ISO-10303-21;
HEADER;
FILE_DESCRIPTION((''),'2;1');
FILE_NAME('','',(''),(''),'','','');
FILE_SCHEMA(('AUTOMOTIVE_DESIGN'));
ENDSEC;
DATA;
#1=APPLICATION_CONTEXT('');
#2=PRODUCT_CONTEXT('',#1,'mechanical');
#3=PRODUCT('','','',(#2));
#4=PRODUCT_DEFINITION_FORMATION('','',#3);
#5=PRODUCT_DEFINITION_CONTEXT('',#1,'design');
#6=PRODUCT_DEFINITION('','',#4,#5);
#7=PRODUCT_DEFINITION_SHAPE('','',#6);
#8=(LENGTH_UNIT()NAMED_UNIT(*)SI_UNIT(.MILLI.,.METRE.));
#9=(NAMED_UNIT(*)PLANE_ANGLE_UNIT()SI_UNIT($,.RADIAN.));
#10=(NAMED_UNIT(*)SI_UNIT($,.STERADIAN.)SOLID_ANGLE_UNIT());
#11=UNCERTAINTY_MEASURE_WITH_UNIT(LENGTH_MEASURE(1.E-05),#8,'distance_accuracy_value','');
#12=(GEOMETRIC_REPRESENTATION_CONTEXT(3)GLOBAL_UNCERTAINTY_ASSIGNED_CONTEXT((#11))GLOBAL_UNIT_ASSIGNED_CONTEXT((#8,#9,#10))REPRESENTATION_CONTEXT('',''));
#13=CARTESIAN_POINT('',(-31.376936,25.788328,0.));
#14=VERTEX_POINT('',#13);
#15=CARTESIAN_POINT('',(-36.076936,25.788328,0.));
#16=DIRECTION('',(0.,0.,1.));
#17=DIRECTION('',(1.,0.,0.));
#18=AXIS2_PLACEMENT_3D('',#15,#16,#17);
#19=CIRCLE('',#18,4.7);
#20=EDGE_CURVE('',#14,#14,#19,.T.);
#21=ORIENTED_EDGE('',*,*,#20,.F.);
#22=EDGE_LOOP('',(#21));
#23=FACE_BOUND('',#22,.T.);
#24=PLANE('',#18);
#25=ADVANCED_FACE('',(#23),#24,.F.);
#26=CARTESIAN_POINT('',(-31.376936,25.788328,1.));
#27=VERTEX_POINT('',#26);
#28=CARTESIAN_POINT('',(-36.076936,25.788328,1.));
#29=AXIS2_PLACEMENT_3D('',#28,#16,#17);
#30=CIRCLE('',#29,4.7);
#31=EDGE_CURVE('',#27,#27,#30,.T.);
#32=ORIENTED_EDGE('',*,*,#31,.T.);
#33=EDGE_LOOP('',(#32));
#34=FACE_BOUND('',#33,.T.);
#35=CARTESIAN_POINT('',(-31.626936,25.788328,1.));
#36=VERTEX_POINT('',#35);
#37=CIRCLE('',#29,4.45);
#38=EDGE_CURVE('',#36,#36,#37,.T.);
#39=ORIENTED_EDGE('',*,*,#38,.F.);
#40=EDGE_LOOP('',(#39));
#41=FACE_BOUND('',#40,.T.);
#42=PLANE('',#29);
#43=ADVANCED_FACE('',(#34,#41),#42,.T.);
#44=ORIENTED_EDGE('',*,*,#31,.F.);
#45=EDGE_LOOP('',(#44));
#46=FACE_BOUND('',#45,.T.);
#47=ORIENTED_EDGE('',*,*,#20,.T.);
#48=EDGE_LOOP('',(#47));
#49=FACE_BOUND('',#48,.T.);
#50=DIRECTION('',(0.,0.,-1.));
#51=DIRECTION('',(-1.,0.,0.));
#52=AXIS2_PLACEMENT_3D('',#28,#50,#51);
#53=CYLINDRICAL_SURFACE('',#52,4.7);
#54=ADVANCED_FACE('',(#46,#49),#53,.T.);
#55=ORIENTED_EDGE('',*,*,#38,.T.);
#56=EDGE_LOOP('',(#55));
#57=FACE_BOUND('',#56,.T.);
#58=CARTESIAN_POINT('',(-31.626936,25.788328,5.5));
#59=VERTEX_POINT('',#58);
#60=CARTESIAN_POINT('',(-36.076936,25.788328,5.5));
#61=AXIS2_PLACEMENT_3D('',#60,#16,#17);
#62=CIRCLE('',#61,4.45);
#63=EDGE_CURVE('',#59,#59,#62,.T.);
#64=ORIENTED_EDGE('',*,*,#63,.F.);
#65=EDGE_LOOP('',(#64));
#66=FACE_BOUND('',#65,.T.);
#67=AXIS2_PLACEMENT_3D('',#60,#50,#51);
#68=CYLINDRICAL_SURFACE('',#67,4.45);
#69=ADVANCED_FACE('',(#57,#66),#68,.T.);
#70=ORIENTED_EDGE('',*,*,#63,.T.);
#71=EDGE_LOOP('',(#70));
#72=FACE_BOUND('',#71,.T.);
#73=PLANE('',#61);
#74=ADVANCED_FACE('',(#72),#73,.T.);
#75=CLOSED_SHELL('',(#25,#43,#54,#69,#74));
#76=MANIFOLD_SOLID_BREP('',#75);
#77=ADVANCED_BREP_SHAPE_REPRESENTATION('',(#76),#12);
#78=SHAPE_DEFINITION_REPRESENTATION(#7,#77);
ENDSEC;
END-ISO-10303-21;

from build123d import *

# Parameters (mm, degrees)
SKETCH1_R           = 4.7
BOSS_EXTRUDE1_DEPTH = 1
SKETCH2_R           = 4.45
BOSS_EXTRUDE2_DEPTH = 4.5


with BuildPart() as part:
    # Sketch1 → Boss-Extrude1 (new body)
    with BuildSketch(Plane.XY):
        with Locations((-36.076935723, 25.788328128)):
            Circle(SKETCH1_R)
    extrude(amount=BOSS_EXTRUDE1_DEPTH)

    # Sketch2 → Boss-Extrude2 (add)
    with BuildSketch(Plane.XY.offset(1)):
        with Locations((-36.076935723, 25.788328128)):
            Circle(SKETCH2_R)
    extrude(amount=BOSS_EXTRUDE2_DEPTH)


solid = part.part
